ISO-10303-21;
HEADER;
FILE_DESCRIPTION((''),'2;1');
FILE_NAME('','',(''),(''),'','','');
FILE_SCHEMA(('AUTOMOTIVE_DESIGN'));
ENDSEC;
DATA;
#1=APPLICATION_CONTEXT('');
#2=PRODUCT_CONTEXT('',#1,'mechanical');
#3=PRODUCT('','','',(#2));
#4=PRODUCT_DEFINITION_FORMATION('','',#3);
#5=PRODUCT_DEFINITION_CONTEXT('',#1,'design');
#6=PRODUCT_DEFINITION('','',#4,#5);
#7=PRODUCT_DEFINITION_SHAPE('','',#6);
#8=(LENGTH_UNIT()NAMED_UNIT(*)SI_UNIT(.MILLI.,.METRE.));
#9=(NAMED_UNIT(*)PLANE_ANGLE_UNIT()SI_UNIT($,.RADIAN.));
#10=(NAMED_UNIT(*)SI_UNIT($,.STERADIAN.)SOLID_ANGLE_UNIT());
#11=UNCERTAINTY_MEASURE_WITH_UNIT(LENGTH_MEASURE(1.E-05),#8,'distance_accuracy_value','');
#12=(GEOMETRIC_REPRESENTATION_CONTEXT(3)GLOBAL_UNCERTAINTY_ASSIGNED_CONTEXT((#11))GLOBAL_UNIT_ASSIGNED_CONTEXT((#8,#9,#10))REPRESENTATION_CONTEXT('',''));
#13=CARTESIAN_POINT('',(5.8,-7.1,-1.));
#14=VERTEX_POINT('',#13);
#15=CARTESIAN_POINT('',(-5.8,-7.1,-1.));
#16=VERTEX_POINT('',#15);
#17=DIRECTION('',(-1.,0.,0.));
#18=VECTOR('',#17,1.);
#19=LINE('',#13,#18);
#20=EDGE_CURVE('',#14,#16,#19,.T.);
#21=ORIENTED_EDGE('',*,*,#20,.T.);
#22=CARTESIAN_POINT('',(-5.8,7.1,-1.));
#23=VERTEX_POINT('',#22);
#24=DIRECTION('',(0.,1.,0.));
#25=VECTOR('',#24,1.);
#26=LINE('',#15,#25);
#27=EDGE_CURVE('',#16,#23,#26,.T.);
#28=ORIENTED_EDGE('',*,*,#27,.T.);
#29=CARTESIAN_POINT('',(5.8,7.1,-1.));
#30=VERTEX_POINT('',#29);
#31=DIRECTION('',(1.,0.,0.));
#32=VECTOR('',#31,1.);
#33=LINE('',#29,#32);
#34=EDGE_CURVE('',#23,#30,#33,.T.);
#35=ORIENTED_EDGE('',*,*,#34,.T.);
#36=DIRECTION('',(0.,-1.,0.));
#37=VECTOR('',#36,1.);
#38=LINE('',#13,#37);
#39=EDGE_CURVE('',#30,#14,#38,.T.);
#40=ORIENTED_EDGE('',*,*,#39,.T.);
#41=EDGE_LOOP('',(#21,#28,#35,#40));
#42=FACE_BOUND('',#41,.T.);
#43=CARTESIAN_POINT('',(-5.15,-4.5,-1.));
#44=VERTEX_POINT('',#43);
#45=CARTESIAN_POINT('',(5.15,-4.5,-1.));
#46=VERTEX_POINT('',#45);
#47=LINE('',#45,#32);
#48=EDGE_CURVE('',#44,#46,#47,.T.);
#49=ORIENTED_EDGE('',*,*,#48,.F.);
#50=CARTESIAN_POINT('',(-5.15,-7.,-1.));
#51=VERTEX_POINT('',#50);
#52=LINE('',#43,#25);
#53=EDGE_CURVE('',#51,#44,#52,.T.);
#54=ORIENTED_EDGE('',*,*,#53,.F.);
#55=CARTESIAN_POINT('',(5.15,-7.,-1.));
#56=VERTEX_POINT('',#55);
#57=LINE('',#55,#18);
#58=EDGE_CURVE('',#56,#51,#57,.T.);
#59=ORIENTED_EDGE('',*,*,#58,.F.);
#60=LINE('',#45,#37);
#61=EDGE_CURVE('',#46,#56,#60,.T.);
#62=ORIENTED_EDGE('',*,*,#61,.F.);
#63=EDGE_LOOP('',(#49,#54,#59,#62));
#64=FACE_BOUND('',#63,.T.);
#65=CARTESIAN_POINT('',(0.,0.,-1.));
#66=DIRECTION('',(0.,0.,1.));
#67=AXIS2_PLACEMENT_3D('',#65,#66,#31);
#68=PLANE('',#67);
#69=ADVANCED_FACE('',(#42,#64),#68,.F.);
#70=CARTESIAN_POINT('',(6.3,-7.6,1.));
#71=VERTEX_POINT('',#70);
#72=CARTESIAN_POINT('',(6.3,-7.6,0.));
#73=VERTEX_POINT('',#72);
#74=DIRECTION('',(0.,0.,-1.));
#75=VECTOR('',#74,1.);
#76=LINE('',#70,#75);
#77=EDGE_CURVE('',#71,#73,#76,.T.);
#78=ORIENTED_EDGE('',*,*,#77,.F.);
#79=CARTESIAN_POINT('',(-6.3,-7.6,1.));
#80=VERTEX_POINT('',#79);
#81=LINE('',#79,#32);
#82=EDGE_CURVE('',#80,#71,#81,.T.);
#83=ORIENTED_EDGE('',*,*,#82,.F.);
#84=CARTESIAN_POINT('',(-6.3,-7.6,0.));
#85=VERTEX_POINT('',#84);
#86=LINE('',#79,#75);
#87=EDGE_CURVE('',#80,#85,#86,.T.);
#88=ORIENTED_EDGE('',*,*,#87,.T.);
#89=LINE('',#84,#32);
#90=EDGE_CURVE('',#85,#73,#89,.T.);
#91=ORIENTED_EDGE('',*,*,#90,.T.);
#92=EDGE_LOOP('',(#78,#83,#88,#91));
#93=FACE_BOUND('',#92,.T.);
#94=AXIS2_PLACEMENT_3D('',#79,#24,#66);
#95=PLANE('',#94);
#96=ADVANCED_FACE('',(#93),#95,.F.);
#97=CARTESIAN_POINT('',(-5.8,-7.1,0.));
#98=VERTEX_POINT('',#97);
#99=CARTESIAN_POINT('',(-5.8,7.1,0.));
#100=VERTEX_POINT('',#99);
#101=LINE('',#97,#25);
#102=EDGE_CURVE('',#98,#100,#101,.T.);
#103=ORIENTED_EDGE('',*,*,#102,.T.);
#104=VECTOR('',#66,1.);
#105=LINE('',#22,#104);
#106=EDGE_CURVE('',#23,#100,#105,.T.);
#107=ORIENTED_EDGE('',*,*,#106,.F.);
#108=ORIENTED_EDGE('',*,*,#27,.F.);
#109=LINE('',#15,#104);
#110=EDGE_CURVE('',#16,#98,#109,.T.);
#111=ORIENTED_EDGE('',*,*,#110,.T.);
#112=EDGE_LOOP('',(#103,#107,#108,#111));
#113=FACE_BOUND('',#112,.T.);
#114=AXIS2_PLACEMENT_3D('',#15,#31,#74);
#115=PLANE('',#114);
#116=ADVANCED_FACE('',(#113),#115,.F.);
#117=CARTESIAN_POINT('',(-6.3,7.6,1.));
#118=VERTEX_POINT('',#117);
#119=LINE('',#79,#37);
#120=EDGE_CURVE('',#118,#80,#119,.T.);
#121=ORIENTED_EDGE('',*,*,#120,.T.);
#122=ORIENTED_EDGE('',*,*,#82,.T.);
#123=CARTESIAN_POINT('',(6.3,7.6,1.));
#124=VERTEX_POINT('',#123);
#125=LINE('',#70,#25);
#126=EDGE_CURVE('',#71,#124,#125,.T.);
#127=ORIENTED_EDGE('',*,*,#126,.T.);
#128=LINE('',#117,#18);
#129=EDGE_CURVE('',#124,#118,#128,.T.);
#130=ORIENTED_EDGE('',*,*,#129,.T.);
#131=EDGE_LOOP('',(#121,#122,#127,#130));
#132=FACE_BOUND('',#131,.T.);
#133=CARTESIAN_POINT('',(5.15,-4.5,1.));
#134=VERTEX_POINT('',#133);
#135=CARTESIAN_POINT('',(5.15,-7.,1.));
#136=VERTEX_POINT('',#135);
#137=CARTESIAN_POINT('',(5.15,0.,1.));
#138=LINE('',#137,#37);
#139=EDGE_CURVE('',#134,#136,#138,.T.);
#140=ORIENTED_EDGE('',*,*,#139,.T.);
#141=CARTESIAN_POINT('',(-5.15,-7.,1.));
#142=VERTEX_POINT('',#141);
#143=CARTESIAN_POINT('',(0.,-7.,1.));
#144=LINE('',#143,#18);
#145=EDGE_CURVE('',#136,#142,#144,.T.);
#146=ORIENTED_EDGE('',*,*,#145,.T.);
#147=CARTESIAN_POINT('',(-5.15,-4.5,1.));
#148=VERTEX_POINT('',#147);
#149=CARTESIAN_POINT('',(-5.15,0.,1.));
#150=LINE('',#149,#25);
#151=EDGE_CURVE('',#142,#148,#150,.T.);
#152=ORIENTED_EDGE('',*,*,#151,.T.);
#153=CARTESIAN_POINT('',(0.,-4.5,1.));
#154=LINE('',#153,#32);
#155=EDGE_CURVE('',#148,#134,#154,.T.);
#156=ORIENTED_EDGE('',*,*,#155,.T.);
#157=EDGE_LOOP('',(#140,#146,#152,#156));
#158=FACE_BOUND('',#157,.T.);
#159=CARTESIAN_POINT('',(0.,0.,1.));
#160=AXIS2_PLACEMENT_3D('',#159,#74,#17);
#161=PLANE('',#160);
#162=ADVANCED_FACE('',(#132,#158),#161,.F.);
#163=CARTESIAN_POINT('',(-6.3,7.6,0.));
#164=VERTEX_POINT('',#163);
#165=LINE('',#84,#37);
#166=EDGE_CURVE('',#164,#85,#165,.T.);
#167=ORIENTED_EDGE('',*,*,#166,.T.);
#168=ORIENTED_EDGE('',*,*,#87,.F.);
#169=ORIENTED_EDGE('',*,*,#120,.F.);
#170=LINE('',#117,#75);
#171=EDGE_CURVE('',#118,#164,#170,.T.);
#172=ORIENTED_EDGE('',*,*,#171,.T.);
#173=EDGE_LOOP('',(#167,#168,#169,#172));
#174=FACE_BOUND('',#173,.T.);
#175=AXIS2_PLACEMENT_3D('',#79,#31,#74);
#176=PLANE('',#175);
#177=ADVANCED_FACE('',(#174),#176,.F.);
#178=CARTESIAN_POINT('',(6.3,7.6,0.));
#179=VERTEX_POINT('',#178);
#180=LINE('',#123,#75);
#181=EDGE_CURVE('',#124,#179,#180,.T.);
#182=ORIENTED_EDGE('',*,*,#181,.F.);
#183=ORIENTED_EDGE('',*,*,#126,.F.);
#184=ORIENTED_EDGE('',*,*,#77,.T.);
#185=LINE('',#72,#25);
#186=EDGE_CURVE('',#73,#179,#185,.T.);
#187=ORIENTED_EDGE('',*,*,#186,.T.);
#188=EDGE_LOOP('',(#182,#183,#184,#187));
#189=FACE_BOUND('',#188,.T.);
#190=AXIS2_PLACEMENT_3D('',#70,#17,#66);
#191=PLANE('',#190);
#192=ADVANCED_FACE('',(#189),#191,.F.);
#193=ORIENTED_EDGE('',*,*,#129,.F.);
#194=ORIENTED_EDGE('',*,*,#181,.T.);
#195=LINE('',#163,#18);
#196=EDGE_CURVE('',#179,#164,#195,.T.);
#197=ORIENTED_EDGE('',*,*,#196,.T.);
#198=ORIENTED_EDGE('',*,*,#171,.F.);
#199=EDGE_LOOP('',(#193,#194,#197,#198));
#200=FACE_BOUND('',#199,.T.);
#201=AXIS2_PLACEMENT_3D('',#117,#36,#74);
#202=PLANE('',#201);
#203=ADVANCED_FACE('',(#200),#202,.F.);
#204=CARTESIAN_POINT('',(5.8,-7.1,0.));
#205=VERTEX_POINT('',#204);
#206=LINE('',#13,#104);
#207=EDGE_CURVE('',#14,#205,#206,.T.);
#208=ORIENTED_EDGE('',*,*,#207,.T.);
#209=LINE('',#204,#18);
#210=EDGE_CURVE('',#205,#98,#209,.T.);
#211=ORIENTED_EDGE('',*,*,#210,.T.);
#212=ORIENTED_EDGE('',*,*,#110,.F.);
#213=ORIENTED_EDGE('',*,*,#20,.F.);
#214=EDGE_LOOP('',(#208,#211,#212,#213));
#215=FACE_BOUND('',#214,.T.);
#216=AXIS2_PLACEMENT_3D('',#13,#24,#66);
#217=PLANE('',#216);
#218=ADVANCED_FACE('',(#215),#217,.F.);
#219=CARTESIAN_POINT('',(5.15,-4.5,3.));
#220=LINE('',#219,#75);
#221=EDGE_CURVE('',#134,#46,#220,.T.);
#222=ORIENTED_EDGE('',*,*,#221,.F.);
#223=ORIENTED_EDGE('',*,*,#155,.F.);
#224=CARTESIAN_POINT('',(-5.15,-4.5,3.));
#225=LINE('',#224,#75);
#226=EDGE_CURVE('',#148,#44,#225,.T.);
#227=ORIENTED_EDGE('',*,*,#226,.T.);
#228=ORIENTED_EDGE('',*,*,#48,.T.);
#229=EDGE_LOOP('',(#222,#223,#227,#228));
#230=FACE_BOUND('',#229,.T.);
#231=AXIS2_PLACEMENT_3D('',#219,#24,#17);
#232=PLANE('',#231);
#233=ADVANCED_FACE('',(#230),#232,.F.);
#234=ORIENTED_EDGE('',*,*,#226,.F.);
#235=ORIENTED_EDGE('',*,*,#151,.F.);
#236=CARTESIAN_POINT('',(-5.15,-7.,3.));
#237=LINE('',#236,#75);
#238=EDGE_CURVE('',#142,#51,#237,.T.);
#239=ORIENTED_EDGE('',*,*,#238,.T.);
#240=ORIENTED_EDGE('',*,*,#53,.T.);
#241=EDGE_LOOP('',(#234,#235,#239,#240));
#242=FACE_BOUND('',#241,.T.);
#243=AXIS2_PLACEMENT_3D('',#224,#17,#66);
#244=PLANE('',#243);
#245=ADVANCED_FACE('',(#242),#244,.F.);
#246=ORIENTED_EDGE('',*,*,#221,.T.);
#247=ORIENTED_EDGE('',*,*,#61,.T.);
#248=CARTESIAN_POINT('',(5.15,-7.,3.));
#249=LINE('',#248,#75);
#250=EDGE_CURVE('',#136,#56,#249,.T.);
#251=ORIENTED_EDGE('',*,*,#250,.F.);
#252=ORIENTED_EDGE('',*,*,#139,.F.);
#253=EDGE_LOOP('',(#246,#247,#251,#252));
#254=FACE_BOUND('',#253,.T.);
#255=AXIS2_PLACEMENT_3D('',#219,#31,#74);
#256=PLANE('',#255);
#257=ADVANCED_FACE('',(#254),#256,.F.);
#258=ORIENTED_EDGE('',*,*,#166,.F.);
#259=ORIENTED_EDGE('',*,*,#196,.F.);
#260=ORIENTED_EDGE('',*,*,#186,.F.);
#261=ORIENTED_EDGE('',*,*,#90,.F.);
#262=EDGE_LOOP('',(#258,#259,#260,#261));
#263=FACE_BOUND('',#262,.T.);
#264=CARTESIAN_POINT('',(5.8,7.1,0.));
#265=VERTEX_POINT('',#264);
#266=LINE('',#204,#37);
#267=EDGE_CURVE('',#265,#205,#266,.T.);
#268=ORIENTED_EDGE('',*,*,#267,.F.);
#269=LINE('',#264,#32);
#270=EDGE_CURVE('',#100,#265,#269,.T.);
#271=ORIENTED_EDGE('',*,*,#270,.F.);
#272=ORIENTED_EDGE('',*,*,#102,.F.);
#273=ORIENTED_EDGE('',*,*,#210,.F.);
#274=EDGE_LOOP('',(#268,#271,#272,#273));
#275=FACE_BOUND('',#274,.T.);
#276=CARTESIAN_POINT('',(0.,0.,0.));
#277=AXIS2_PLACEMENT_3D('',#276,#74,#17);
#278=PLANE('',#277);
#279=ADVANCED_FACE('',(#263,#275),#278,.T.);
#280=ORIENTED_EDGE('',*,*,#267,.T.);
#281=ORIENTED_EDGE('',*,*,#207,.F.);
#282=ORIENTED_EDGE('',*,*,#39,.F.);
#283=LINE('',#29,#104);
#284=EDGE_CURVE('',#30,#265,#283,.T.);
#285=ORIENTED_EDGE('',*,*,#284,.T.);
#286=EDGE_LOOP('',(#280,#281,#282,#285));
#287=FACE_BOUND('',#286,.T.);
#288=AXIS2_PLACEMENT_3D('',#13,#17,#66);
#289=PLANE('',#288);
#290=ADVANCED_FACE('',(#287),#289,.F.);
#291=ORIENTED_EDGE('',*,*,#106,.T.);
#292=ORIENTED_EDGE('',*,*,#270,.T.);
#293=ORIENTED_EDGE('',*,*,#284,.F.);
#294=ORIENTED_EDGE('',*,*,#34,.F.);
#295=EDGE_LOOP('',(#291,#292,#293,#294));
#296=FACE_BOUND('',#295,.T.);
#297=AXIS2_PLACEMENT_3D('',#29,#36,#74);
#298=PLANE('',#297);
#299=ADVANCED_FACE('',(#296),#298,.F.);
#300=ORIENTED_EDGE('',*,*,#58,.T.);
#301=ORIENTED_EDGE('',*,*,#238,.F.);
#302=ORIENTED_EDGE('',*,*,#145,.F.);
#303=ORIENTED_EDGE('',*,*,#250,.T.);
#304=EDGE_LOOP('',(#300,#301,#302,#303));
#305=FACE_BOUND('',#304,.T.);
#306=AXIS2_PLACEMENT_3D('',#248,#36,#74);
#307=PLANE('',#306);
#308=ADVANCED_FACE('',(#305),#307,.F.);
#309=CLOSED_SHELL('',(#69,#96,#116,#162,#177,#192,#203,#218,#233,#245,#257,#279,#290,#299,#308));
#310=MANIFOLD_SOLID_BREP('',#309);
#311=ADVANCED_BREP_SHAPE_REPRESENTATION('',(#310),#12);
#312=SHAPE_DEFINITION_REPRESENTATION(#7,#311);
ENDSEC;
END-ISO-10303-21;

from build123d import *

# Parameters (mm, degrees)
SKETCH2_W           = 12.6
SKETCH2_H           = 15.2
BOSS_EXTRUDE1_DEPTH = 1
SKETCH3_W           = 11.6
SKETCH3_H           = 14.2
BOSS_EXTRUDE2_DEPTH = 1
SKETCH4_W           = 10.3
SKETCH4_H           = 2.5
CUT_EXTRUDE1_DEPTH  = 4


with BuildPart() as part:
    # Sketch2 → Boss-Extrude1 (new body)
    with BuildSketch(Plane.XY):
        Rectangle(SKETCH2_W, SKETCH2_H)
    extrude(amount=BOSS_EXTRUDE1_DEPTH)

    # Sketch3 → Boss-Extrude2 (add)
    with BuildSketch(Plane(origin=(0, 0, 0), x_dir=(-1, 0, 0), z_dir=(0, 0, -1))):
        Rectangle(SKETCH3_W, SKETCH3_H)
    extrude(amount=BOSS_EXTRUDE2_DEPTH)

    # Sketch4 → Cut-Extrude1 (cut)
    with BuildSketch(Plane(origin=(0, 0, -1), x_dir=(-1, 0, 0), z_dir=(0, 0, -1))):
        with Locations((0, -5.75)):
            Rectangle(SKETCH4_W, SKETCH4_H)
    extrude(amount=-CUT_EXTRUDE1_DEPTH, mode=Mode.SUBTRACT)


solid = part.part
